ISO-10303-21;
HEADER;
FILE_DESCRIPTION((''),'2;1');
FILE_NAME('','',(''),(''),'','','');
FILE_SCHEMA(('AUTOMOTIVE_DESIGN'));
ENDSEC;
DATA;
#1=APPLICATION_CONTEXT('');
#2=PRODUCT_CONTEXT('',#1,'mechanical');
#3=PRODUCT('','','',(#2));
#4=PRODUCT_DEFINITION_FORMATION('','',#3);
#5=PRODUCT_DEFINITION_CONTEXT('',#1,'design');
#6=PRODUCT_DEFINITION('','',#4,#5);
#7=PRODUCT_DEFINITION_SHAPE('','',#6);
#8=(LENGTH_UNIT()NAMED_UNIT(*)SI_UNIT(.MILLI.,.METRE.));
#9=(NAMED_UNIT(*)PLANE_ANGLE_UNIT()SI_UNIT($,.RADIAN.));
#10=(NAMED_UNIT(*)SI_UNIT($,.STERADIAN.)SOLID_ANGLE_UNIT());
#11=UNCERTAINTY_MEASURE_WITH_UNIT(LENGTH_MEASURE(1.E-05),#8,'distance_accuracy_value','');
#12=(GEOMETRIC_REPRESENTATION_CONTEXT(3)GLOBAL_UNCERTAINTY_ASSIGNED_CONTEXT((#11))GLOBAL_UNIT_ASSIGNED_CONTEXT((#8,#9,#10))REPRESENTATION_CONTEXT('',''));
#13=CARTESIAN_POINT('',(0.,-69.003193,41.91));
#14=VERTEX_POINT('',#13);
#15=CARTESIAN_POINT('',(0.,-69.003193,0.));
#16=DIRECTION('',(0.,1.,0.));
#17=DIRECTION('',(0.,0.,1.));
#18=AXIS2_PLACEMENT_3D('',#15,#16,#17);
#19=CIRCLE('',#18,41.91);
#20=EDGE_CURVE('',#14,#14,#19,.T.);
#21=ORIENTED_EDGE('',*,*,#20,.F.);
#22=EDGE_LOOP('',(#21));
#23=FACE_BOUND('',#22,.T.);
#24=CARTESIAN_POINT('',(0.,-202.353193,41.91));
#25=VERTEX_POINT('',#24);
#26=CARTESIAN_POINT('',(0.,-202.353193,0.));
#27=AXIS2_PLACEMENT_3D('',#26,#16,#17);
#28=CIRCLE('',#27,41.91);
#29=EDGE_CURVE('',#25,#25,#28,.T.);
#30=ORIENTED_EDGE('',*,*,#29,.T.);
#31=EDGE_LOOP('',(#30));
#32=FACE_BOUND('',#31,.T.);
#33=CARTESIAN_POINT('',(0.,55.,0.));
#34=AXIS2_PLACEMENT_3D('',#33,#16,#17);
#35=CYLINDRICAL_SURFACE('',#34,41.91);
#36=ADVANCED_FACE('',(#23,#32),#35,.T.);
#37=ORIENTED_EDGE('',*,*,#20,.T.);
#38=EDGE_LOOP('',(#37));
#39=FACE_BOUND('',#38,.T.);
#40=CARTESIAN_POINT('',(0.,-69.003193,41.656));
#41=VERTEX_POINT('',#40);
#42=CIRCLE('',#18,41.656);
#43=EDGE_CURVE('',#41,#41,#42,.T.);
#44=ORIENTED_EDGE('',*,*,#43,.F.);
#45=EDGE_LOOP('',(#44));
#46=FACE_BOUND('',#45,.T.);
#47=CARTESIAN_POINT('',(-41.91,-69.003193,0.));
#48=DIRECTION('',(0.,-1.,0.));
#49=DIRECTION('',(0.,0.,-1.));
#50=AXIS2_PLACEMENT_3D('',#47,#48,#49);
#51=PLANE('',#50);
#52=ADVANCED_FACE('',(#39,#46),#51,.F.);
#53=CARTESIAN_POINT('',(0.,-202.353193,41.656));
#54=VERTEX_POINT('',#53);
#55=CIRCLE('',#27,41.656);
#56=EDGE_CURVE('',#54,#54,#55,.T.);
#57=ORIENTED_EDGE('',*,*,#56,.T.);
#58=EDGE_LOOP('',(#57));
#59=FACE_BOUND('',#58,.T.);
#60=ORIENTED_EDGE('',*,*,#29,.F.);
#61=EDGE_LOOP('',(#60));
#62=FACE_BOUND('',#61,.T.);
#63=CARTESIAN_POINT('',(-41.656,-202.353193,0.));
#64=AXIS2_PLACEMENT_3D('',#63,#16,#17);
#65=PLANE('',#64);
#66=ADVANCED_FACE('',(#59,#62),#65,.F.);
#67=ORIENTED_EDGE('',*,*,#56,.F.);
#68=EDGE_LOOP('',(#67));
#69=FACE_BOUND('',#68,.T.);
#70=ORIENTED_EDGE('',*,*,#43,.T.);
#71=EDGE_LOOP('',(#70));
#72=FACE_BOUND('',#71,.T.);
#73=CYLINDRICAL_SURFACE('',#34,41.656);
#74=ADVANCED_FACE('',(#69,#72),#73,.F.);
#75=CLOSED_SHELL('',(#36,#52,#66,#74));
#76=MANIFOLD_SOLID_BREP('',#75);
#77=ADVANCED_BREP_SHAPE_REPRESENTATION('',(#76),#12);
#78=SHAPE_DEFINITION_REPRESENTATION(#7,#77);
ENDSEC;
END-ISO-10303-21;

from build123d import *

# Parameters (mm, degrees)
SKETCH1_W = 0.254
SKETCH1_H = 133.35


with BuildPart() as part:
    # Sketch1 → Revolve-Thin1 (revolve)
    with BuildSketch(Plane.XY):
        with Locations((-41.783, -135.67819341)):
            Rectangle(SKETCH1_W, SKETCH1_H)
    revolve(axis=Axis((0, 55, 0), (0, -1, 0)))


solid = part.part
